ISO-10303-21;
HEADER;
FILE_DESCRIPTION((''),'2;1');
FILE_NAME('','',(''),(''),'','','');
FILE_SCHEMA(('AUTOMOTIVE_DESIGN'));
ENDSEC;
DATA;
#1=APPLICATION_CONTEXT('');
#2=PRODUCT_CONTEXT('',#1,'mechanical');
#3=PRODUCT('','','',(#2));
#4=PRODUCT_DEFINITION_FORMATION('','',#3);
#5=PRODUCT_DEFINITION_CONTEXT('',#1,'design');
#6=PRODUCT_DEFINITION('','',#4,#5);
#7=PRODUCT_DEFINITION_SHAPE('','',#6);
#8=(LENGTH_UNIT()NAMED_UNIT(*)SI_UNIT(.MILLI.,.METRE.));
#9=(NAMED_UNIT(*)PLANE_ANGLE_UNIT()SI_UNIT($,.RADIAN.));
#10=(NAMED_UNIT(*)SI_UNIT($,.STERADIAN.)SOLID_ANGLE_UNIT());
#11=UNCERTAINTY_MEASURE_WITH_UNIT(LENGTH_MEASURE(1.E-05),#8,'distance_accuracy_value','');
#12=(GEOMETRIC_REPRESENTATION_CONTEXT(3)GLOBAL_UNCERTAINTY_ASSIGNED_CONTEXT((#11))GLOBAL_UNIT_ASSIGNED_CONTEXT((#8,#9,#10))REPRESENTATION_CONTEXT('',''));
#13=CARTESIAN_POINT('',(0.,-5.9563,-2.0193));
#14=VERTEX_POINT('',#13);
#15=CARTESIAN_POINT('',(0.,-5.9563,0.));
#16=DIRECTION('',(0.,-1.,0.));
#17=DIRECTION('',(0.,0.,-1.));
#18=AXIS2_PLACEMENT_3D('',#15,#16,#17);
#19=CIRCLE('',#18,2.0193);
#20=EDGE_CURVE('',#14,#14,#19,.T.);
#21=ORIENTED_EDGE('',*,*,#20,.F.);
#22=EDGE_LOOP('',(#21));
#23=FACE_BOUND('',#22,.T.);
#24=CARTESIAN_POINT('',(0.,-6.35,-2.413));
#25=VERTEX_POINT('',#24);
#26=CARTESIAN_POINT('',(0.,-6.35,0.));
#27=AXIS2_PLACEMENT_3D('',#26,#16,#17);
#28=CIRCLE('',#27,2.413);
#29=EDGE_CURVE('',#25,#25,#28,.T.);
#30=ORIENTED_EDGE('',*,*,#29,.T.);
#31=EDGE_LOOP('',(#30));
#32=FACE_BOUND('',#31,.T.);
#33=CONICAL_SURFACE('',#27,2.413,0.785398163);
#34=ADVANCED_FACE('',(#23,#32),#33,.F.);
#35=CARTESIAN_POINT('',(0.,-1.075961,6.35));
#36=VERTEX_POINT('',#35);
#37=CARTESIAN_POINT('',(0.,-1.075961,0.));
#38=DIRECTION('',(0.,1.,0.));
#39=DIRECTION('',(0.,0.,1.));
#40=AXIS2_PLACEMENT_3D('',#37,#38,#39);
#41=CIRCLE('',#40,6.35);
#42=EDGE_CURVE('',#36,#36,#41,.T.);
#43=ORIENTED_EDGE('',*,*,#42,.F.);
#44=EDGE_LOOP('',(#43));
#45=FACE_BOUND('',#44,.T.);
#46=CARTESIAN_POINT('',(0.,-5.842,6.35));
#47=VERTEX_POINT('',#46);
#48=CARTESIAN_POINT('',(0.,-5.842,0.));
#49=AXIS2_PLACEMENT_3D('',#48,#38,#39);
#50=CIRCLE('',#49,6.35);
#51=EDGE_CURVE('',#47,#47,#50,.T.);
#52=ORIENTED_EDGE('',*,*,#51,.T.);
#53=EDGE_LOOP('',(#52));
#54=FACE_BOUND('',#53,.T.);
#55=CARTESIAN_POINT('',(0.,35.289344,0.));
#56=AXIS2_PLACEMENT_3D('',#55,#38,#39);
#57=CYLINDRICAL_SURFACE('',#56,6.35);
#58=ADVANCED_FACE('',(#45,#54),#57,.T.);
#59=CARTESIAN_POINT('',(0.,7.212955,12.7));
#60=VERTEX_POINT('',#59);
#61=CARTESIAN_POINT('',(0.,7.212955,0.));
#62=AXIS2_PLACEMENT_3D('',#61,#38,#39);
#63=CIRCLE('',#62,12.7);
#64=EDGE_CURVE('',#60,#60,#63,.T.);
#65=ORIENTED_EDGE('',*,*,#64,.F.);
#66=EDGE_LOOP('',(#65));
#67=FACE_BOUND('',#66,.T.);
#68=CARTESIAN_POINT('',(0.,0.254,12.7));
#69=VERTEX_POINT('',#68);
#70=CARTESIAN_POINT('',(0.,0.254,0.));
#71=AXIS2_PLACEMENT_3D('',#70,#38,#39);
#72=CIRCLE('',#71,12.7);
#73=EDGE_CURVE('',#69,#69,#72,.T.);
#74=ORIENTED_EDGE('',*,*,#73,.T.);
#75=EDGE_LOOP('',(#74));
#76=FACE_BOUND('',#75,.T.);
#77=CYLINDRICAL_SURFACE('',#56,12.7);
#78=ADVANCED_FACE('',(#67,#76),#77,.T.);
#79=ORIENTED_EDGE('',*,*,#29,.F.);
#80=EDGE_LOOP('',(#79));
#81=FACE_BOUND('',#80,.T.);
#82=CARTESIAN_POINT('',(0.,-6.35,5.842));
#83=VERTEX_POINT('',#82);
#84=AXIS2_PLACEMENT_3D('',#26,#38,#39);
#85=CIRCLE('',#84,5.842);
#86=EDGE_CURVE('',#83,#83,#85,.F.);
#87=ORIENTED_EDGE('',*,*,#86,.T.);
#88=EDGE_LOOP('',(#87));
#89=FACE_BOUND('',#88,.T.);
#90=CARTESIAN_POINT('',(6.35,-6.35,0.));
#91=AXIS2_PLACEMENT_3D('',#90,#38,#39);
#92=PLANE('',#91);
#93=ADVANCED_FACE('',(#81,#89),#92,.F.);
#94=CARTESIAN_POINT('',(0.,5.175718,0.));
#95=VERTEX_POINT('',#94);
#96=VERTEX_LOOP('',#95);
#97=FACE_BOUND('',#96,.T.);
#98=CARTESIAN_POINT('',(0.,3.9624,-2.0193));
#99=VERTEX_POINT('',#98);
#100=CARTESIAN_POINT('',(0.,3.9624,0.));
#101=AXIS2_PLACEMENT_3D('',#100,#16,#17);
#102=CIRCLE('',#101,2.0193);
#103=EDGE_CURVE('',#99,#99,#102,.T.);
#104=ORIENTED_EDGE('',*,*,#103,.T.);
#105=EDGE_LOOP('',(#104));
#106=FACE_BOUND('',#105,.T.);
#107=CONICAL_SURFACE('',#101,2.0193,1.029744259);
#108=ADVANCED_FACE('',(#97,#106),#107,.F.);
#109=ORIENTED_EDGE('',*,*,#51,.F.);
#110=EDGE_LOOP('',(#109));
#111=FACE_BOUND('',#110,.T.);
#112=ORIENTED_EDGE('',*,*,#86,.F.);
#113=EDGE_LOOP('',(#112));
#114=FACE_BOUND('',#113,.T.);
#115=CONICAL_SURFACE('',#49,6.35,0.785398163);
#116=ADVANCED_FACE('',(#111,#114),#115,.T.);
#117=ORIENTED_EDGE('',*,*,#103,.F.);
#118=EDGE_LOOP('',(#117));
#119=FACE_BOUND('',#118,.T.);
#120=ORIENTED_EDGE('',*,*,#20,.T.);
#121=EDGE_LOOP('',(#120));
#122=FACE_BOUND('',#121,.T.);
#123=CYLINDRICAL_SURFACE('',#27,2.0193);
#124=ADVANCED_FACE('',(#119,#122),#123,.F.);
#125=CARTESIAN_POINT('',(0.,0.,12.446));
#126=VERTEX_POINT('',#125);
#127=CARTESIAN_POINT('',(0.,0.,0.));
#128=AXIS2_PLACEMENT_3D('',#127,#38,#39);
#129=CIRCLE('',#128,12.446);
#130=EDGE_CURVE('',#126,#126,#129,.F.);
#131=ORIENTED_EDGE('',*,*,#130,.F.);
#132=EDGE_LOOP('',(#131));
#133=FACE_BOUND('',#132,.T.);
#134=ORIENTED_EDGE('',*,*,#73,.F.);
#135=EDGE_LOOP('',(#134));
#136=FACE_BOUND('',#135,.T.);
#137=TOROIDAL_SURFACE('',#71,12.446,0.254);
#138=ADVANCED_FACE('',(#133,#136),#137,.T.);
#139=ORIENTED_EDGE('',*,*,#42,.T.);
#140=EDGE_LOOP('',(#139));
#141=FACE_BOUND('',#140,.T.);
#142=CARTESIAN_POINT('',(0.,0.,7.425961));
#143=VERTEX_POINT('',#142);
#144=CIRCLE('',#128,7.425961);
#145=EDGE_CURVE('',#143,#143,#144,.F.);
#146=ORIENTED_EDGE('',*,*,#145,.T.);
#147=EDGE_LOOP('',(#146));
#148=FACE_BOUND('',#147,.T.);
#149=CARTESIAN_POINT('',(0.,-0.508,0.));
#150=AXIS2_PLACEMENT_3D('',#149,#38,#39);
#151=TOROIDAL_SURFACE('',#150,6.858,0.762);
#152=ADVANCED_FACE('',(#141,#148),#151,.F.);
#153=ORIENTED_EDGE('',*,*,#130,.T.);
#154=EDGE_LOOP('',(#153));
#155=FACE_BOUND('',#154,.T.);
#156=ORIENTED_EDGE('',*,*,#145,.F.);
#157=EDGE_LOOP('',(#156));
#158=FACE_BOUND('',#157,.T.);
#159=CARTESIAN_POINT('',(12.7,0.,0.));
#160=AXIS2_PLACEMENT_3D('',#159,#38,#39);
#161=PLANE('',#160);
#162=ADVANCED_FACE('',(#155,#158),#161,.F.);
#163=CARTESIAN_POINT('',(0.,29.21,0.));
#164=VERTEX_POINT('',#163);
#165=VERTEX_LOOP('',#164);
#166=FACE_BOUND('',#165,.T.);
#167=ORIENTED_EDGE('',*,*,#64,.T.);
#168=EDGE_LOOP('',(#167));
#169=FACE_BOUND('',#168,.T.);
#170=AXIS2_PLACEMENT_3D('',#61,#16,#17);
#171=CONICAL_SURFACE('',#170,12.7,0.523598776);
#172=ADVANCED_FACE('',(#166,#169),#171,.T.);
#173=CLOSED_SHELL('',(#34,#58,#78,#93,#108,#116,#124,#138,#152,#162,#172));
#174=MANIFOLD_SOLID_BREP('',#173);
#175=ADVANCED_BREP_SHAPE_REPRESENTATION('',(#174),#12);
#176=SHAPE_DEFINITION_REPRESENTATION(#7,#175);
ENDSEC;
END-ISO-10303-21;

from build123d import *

# Parameters (mm, degrees)
SKETCH2_R                        = 0.762
CHAMFER1_SIZE                    = 0.508
FILLET1_R                        = 0.254
F_10_32_TAPPED_HOLE1_D           = 4.0386
F_10_32_TAPPED_HOLE1_DEPTH       = 10.3124
F_10_32_TAPPED_HOLE1_CSINK_D     = 4.826
F_10_32_TAPPED_HOLE1_CSINK_ANGLE = 90
F_10_32_TAPPED_HOLE1_TIP         = 1.213317848


with BuildPart() as part:
    # Sketch1 → Revolve1 (revolve)
    with BuildSketch(Plane.XY, mode=Mode.PRIVATE) as revolve1_sk:
        Polygon((12.7, 0), (6.35, 0), (6.35, -6.35), (0, -6.35), (0, 29.21), (12.7, 7.212954744), align=None)
    revolve(revolve1_sk.sketch.rotate(Axis((0, 35.289344262, 0), (0, -1, 0)), 90), axis=Axis((0, 35.289344262, 0), (0, -1, 0)))  # turned: the seam where the file's is

    # Sketch2 → Cut-Revolve1 (revolve, cut)
    with BuildSketch(Plane.XY, mode=Mode.PRIVATE) as cut_revolve1_sk:
        with Locations((6.858, -0.508)):
            Circle(SKETCH2_R)
    revolve(cut_revolve1_sk.sketch.rotate(Axis((0, 0, 0), (0, -1, 0)), 90), axis=Axis((0, 0, 0), (0, -1, 0)), mode=Mode.SUBTRACT)  # turned: the seam where the file's is

    # Chamfer1
    chamfer1_edges = [part.edges().sort_by_distance(p)[0] for p in [
        (0, -6.35, -6.35),
    ]]
    chamfer(chamfer1_edges, length=CHAMFER1_SIZE)

    # Fillet1
    fillet1_edges = [part.edges().sort_by_distance(p)[0] for p in [
        (0, 0, -12.7),
    ]]
    fillet(fillet1_edges, radius=FILLET1_R)

    # 10-32 Tapped Hole1
    with Locations(Plane.XZ.offset(6.35)):
        with Locations((0, 0)):
            CounterSinkHole(F_10_32_TAPPED_HOLE1_D / 2, F_10_32_TAPPED_HOLE1_CSINK_D / 2, depth=F_10_32_TAPPED_HOLE1_DEPTH, counter_sink_angle=F_10_32_TAPPED_HOLE1_CSINK_ANGLE)
            with Locations((0, 0, -(F_10_32_TAPPED_HOLE1_DEPTH + F_10_32_TAPPED_HOLE1_TIP / 2))):  # 118° drill point
                Cone(0, F_10_32_TAPPED_HOLE1_D / 2, F_10_32_TAPPED_HOLE1_TIP, mode=Mode.SUBTRACT)


solid = part.part
